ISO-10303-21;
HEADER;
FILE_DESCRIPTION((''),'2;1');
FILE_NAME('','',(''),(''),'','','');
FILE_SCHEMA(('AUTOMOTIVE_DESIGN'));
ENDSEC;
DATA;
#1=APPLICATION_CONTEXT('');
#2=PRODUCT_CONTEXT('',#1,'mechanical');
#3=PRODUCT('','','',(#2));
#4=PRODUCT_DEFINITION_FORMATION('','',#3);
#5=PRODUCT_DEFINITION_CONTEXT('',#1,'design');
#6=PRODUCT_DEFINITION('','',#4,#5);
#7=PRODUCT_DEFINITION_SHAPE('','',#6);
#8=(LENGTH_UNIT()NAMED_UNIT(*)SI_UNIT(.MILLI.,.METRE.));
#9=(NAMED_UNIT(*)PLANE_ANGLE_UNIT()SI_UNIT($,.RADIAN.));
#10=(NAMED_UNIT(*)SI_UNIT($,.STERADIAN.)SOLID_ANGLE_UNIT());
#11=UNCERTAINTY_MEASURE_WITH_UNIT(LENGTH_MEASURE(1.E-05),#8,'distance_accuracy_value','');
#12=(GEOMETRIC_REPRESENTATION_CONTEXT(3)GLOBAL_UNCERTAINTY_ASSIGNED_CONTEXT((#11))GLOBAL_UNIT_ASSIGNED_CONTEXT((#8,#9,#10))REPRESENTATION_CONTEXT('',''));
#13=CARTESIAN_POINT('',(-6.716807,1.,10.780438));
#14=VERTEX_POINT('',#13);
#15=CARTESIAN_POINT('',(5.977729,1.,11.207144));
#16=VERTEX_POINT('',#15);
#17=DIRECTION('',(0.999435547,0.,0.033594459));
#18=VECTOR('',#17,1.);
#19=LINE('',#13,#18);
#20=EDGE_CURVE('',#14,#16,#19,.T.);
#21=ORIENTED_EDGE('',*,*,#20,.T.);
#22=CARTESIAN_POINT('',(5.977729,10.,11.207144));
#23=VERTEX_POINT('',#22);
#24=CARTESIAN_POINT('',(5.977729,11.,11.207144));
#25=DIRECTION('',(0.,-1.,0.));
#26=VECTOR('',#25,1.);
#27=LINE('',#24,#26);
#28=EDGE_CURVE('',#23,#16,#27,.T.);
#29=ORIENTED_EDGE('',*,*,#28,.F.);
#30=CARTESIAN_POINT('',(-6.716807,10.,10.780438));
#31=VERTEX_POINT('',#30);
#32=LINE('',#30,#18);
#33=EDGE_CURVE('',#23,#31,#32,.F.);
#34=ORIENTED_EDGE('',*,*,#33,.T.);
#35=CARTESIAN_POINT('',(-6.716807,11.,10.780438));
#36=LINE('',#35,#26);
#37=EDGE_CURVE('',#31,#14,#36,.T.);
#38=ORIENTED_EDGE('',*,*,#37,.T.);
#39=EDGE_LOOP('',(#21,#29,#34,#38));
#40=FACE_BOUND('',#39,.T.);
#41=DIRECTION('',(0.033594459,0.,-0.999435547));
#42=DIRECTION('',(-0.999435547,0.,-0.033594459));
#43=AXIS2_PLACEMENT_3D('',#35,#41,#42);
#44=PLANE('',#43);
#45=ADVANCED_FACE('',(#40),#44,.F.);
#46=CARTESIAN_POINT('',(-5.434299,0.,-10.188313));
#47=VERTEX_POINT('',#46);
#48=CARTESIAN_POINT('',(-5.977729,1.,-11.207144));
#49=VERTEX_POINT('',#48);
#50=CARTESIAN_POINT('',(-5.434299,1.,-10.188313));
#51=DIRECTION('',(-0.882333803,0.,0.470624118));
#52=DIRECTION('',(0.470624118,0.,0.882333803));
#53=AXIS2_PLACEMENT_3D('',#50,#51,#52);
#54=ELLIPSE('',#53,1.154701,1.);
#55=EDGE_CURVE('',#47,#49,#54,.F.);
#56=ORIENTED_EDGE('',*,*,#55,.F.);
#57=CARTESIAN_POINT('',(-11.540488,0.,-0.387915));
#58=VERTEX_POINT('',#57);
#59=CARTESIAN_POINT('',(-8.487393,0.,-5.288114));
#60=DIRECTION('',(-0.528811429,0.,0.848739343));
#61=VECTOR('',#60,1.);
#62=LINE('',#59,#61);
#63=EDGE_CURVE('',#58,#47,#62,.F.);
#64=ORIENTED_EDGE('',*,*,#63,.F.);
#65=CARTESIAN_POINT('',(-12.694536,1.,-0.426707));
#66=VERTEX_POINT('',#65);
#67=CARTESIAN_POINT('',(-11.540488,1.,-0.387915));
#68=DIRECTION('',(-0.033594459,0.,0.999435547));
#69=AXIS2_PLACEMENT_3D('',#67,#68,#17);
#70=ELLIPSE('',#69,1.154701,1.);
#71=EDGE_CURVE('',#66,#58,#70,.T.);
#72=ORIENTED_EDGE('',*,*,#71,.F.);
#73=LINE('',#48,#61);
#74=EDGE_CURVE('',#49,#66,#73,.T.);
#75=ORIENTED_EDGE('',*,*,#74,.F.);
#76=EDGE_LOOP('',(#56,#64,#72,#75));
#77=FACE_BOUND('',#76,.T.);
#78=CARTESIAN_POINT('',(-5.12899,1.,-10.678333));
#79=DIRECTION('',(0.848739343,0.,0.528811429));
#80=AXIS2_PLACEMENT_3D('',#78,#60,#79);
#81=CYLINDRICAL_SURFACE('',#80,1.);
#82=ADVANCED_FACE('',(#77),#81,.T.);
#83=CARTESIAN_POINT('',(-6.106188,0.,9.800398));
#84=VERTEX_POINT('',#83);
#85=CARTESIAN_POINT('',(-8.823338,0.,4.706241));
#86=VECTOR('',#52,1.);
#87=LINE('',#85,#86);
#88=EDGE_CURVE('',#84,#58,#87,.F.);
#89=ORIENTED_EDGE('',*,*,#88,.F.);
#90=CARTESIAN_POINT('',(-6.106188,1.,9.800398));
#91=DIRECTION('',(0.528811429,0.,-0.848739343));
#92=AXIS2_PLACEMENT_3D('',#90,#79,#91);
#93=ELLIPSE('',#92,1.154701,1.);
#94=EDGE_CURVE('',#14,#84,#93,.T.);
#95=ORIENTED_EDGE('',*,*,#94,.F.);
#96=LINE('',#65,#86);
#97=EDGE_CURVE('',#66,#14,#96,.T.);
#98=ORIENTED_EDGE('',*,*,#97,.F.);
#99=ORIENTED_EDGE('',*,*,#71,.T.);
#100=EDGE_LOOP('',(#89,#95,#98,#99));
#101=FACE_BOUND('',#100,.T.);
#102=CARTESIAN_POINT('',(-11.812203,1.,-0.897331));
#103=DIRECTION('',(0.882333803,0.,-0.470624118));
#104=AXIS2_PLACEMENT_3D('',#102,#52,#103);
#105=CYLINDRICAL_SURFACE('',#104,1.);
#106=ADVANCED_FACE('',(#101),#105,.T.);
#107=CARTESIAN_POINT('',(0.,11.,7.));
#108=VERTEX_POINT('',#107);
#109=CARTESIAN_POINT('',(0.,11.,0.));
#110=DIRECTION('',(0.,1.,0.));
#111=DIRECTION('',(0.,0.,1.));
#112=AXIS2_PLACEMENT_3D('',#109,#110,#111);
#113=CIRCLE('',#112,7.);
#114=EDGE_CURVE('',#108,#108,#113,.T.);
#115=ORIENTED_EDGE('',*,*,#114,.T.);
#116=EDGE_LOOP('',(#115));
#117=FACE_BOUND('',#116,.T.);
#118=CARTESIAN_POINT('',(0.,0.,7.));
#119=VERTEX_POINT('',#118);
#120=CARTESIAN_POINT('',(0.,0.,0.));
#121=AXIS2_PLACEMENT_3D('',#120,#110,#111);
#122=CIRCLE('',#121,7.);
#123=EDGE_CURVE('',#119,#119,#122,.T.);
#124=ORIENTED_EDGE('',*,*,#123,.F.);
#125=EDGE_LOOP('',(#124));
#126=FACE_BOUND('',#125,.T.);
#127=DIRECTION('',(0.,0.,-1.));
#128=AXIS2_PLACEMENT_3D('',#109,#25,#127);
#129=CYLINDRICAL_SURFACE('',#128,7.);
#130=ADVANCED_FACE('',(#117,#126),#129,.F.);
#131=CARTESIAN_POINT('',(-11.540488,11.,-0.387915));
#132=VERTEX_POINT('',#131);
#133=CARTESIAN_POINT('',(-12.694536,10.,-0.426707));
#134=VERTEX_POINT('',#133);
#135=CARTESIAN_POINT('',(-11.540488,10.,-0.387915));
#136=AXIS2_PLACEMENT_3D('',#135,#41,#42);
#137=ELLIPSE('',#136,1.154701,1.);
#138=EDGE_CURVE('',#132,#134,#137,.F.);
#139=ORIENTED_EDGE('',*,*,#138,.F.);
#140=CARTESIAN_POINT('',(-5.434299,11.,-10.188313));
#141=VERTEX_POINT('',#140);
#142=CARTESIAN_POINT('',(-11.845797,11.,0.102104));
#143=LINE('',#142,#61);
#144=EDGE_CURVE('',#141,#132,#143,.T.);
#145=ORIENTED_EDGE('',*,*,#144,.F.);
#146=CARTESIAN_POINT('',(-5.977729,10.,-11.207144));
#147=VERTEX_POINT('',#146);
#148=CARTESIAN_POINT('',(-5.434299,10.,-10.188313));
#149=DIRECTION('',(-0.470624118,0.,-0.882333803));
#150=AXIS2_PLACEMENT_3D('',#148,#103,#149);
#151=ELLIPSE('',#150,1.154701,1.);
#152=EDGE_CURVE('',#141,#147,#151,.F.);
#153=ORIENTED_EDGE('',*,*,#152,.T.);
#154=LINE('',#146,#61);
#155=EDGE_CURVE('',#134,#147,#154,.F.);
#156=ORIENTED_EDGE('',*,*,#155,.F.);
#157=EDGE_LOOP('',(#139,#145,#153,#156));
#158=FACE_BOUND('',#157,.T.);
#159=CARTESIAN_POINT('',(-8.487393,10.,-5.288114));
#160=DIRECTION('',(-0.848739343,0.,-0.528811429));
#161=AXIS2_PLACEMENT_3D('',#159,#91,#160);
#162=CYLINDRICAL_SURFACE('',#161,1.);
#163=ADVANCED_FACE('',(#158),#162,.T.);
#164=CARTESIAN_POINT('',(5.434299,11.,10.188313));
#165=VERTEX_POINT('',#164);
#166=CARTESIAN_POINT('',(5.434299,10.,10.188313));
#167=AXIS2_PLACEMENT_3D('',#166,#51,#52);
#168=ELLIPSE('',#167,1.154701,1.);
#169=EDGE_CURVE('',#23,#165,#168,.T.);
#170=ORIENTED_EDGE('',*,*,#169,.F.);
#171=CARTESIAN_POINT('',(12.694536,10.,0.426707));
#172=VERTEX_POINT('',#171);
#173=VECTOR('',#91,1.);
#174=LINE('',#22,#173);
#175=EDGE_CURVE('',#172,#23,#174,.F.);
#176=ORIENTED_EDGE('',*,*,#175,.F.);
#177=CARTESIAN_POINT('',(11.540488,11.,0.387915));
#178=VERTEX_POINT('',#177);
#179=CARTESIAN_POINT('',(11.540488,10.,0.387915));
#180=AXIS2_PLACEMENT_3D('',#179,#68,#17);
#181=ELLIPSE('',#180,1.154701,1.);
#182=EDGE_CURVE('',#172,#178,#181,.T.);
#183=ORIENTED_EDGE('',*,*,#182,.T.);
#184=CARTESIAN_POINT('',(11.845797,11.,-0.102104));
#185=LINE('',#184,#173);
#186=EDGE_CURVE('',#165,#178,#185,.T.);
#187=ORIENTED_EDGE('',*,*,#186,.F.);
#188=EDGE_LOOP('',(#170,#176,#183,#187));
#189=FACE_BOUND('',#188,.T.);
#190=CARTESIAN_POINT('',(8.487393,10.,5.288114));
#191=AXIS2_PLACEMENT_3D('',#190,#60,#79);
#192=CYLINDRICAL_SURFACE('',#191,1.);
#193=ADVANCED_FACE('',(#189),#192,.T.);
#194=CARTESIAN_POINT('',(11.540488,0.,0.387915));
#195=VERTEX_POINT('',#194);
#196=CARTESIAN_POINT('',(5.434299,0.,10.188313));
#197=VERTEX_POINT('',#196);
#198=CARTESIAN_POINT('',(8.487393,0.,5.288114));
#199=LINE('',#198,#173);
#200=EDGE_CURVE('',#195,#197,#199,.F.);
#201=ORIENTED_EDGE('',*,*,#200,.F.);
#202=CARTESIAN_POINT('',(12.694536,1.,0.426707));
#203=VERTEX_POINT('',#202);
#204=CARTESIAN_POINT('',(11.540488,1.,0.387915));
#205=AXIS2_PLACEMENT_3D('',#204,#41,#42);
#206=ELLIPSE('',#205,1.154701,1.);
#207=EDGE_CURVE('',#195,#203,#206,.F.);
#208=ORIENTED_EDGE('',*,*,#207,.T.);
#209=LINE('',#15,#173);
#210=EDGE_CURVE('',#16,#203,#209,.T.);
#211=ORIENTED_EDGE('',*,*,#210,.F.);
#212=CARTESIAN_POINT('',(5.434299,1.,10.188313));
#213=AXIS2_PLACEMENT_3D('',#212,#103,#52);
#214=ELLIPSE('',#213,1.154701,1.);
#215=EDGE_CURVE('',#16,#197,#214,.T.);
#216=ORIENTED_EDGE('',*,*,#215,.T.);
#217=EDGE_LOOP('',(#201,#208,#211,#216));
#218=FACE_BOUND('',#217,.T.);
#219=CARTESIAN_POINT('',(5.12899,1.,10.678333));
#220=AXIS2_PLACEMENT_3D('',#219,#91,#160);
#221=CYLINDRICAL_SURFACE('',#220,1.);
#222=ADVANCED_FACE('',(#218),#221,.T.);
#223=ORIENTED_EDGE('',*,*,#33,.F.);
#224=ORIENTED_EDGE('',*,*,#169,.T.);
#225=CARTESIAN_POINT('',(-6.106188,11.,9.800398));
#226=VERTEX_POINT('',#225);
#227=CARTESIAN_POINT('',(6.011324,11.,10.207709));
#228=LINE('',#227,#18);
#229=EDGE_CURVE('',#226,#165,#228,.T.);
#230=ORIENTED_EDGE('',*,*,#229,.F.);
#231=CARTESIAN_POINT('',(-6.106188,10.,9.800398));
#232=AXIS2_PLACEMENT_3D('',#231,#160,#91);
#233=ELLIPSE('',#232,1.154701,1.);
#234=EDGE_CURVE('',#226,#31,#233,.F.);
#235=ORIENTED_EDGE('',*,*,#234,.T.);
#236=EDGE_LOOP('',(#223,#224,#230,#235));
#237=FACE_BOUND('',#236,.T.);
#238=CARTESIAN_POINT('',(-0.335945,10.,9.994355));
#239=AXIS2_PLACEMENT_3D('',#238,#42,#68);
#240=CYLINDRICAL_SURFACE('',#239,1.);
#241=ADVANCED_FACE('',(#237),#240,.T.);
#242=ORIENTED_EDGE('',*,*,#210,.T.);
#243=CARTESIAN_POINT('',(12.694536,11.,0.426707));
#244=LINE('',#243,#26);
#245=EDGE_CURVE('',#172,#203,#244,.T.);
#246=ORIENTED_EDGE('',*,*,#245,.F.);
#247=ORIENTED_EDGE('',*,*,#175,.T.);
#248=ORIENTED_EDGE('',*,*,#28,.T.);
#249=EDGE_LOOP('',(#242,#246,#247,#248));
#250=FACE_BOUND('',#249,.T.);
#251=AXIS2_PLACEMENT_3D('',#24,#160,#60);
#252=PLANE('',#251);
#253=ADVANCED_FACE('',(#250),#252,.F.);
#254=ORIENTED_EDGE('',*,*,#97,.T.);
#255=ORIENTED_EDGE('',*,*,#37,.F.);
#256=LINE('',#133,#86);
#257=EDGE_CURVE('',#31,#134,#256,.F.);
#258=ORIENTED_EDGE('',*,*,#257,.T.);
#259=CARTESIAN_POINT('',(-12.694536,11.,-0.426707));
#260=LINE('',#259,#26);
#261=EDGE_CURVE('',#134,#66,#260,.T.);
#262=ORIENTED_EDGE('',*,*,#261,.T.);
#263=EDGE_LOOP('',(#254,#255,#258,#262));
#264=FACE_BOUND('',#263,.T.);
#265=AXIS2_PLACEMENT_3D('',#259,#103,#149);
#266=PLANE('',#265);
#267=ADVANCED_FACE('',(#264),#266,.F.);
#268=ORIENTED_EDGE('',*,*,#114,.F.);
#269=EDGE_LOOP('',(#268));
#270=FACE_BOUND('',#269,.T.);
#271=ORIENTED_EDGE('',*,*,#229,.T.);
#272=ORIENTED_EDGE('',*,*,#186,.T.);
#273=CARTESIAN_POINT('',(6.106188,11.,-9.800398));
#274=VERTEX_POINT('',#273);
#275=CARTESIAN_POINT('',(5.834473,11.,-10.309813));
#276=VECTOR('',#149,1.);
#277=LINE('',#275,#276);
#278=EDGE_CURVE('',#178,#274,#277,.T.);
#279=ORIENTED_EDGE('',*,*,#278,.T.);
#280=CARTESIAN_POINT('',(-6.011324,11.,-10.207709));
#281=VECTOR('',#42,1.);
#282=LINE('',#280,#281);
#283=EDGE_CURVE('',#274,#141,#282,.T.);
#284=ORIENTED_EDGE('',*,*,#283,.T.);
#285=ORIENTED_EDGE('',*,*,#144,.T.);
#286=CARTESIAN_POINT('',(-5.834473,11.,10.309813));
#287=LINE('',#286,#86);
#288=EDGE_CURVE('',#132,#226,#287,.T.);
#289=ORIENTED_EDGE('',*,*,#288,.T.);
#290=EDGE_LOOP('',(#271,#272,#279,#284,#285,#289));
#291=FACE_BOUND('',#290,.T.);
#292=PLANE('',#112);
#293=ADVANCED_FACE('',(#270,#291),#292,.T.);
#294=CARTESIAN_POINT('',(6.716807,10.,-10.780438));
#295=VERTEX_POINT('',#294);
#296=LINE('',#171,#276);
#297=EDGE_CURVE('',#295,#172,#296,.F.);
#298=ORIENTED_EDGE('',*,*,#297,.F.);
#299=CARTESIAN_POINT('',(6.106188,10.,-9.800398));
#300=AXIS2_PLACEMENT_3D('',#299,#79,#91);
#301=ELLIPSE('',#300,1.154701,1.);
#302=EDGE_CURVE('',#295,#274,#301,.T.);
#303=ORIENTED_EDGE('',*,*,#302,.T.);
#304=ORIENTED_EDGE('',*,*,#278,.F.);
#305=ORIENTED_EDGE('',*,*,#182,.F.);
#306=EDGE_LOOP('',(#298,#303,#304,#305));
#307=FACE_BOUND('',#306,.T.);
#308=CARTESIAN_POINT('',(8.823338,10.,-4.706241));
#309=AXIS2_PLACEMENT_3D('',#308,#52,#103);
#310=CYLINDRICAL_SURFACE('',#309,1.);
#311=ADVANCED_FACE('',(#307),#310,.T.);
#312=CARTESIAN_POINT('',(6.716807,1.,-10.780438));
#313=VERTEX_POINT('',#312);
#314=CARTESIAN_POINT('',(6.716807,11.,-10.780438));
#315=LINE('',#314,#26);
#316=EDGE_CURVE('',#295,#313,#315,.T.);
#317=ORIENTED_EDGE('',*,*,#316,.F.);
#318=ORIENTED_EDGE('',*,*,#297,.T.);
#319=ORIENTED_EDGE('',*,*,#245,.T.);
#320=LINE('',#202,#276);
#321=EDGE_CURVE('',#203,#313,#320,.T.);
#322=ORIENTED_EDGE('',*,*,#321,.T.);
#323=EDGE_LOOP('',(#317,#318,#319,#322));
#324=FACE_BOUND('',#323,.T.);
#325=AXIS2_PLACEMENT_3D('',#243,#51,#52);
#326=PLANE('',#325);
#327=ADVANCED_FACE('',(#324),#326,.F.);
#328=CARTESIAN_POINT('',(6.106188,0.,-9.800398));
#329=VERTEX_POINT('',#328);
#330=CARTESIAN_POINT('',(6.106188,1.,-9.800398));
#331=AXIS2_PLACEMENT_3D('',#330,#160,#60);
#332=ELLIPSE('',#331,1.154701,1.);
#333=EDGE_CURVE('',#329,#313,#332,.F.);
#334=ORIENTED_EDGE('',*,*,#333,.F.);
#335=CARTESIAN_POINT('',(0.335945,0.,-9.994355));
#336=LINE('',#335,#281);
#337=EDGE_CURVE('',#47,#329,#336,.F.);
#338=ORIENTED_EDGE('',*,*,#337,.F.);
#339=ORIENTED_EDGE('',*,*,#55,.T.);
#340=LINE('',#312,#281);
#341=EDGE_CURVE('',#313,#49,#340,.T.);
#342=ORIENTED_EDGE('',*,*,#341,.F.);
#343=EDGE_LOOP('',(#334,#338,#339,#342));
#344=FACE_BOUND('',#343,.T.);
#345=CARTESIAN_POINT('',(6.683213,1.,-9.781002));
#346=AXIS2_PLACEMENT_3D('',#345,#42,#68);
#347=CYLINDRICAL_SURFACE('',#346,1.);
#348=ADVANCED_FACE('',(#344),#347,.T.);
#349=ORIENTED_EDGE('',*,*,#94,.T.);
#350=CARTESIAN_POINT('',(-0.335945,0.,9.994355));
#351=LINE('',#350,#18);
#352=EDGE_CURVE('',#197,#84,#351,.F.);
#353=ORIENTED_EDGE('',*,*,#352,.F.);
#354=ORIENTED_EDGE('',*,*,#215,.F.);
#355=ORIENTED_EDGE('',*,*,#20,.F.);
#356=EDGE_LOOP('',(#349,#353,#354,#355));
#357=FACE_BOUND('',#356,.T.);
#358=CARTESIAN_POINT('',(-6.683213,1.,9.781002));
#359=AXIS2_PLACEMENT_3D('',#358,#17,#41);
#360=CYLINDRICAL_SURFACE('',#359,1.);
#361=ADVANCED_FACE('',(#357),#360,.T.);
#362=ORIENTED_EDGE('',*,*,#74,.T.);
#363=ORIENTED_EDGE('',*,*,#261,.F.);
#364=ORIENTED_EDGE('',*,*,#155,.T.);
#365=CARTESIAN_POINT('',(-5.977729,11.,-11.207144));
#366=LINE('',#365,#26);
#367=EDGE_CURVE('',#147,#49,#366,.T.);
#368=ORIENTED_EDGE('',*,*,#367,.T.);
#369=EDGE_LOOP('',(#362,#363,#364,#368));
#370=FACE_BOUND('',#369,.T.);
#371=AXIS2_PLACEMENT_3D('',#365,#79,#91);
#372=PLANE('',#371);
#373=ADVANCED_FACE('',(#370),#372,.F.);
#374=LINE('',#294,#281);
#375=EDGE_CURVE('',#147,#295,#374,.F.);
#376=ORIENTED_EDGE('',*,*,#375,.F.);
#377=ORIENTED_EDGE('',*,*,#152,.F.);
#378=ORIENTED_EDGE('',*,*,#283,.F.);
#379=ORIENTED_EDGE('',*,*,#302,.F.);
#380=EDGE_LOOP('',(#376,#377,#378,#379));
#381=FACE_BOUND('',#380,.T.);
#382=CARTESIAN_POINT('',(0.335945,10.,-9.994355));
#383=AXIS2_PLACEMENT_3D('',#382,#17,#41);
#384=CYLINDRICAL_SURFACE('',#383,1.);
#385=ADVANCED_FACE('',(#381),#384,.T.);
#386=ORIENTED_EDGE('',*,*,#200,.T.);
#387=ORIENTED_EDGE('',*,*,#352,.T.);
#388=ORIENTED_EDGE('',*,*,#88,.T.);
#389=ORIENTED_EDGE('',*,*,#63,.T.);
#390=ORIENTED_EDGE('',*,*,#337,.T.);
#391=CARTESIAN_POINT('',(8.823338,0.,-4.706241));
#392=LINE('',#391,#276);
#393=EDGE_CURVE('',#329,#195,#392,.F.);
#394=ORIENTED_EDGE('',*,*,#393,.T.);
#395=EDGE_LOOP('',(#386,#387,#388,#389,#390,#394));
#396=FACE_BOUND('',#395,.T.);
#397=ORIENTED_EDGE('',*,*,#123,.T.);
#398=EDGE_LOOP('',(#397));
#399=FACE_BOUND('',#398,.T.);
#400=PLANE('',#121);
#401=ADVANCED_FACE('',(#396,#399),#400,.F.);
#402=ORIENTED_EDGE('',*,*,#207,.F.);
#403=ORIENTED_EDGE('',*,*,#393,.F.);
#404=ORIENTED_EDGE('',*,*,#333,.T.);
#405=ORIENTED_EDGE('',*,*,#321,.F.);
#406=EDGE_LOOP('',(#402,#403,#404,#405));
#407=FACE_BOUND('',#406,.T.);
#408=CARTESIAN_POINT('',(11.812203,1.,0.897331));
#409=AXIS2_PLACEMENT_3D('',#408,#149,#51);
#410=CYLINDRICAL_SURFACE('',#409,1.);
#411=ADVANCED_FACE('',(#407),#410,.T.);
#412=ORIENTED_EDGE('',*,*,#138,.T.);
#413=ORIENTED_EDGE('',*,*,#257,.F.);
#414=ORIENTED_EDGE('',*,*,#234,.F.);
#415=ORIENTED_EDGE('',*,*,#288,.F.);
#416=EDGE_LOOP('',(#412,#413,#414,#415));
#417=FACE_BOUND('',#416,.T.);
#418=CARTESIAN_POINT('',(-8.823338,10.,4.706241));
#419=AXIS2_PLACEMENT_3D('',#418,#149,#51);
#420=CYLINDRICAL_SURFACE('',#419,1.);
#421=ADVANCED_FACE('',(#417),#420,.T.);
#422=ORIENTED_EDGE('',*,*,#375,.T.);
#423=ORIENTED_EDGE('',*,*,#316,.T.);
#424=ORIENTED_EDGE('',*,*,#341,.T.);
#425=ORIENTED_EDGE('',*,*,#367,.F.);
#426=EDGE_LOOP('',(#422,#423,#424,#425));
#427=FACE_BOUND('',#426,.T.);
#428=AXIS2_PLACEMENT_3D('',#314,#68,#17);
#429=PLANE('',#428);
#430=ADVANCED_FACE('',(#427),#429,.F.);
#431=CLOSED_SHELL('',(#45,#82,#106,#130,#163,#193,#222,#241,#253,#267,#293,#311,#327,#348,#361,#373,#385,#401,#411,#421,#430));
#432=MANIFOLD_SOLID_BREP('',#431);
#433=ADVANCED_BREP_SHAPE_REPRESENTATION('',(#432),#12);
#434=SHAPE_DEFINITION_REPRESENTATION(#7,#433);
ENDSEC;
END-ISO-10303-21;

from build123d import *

# Parameters (mm, degrees)
SKETCH1_R           = 7
BOSS_EXTRUDE1_DEPTH = 11
FILLET1_R           = 1


with BuildPart() as part:
    # Sketch1 → Boss-Extrude1 (new body)
    with BuildSketch(Plane(origin=(0, 0, 0), x_dir=(1, 0, 0), z_dir=(0, 1, 0))):
        Polygon((-12.694536404, 0.426706941), (-6.716807253, -10.780437545), (5.977729151, -11.207144486), (12.694536404, -0.426706941), (6.716807253, 10.780437545), (-5.977729151, 11.207144486), align=None)
        with Locations(Location((0, 0, 0), (0, 0, 270))):
            Circle(SKETCH1_R, mode=Mode.SUBTRACT)
    extrude(amount=BOSS_EXTRUDE1_DEPTH)

    # Fillet1
    fillet1_edges = [part.edges().sort_by_distance(p)[0] for p in [
        (-0.369539051, 11, 10.993791015),
        (9.336132778, 11, 5.816925714),
        (9.705671829, 11, -5.176865302),
        (0.369539051, 11, -10.993791015),
        (-9.336132778, 11, -5.816925714),
        (0.369539051, 0, -10.993791015),
        (9.705671829, 0, -5.176865302),
        (9.336132778, 0, 5.816925714),
        (-9.705671829, 11, 5.176865302),
        (-0.369539051, 0, 10.993791015),
        (-9.705671829, 0, 5.176865302),
        (-9.336132778, 0, -5.816925714),
    ]]
    fillet(fillet1_edges, radius=FILLET1_R)


solid = part.part
